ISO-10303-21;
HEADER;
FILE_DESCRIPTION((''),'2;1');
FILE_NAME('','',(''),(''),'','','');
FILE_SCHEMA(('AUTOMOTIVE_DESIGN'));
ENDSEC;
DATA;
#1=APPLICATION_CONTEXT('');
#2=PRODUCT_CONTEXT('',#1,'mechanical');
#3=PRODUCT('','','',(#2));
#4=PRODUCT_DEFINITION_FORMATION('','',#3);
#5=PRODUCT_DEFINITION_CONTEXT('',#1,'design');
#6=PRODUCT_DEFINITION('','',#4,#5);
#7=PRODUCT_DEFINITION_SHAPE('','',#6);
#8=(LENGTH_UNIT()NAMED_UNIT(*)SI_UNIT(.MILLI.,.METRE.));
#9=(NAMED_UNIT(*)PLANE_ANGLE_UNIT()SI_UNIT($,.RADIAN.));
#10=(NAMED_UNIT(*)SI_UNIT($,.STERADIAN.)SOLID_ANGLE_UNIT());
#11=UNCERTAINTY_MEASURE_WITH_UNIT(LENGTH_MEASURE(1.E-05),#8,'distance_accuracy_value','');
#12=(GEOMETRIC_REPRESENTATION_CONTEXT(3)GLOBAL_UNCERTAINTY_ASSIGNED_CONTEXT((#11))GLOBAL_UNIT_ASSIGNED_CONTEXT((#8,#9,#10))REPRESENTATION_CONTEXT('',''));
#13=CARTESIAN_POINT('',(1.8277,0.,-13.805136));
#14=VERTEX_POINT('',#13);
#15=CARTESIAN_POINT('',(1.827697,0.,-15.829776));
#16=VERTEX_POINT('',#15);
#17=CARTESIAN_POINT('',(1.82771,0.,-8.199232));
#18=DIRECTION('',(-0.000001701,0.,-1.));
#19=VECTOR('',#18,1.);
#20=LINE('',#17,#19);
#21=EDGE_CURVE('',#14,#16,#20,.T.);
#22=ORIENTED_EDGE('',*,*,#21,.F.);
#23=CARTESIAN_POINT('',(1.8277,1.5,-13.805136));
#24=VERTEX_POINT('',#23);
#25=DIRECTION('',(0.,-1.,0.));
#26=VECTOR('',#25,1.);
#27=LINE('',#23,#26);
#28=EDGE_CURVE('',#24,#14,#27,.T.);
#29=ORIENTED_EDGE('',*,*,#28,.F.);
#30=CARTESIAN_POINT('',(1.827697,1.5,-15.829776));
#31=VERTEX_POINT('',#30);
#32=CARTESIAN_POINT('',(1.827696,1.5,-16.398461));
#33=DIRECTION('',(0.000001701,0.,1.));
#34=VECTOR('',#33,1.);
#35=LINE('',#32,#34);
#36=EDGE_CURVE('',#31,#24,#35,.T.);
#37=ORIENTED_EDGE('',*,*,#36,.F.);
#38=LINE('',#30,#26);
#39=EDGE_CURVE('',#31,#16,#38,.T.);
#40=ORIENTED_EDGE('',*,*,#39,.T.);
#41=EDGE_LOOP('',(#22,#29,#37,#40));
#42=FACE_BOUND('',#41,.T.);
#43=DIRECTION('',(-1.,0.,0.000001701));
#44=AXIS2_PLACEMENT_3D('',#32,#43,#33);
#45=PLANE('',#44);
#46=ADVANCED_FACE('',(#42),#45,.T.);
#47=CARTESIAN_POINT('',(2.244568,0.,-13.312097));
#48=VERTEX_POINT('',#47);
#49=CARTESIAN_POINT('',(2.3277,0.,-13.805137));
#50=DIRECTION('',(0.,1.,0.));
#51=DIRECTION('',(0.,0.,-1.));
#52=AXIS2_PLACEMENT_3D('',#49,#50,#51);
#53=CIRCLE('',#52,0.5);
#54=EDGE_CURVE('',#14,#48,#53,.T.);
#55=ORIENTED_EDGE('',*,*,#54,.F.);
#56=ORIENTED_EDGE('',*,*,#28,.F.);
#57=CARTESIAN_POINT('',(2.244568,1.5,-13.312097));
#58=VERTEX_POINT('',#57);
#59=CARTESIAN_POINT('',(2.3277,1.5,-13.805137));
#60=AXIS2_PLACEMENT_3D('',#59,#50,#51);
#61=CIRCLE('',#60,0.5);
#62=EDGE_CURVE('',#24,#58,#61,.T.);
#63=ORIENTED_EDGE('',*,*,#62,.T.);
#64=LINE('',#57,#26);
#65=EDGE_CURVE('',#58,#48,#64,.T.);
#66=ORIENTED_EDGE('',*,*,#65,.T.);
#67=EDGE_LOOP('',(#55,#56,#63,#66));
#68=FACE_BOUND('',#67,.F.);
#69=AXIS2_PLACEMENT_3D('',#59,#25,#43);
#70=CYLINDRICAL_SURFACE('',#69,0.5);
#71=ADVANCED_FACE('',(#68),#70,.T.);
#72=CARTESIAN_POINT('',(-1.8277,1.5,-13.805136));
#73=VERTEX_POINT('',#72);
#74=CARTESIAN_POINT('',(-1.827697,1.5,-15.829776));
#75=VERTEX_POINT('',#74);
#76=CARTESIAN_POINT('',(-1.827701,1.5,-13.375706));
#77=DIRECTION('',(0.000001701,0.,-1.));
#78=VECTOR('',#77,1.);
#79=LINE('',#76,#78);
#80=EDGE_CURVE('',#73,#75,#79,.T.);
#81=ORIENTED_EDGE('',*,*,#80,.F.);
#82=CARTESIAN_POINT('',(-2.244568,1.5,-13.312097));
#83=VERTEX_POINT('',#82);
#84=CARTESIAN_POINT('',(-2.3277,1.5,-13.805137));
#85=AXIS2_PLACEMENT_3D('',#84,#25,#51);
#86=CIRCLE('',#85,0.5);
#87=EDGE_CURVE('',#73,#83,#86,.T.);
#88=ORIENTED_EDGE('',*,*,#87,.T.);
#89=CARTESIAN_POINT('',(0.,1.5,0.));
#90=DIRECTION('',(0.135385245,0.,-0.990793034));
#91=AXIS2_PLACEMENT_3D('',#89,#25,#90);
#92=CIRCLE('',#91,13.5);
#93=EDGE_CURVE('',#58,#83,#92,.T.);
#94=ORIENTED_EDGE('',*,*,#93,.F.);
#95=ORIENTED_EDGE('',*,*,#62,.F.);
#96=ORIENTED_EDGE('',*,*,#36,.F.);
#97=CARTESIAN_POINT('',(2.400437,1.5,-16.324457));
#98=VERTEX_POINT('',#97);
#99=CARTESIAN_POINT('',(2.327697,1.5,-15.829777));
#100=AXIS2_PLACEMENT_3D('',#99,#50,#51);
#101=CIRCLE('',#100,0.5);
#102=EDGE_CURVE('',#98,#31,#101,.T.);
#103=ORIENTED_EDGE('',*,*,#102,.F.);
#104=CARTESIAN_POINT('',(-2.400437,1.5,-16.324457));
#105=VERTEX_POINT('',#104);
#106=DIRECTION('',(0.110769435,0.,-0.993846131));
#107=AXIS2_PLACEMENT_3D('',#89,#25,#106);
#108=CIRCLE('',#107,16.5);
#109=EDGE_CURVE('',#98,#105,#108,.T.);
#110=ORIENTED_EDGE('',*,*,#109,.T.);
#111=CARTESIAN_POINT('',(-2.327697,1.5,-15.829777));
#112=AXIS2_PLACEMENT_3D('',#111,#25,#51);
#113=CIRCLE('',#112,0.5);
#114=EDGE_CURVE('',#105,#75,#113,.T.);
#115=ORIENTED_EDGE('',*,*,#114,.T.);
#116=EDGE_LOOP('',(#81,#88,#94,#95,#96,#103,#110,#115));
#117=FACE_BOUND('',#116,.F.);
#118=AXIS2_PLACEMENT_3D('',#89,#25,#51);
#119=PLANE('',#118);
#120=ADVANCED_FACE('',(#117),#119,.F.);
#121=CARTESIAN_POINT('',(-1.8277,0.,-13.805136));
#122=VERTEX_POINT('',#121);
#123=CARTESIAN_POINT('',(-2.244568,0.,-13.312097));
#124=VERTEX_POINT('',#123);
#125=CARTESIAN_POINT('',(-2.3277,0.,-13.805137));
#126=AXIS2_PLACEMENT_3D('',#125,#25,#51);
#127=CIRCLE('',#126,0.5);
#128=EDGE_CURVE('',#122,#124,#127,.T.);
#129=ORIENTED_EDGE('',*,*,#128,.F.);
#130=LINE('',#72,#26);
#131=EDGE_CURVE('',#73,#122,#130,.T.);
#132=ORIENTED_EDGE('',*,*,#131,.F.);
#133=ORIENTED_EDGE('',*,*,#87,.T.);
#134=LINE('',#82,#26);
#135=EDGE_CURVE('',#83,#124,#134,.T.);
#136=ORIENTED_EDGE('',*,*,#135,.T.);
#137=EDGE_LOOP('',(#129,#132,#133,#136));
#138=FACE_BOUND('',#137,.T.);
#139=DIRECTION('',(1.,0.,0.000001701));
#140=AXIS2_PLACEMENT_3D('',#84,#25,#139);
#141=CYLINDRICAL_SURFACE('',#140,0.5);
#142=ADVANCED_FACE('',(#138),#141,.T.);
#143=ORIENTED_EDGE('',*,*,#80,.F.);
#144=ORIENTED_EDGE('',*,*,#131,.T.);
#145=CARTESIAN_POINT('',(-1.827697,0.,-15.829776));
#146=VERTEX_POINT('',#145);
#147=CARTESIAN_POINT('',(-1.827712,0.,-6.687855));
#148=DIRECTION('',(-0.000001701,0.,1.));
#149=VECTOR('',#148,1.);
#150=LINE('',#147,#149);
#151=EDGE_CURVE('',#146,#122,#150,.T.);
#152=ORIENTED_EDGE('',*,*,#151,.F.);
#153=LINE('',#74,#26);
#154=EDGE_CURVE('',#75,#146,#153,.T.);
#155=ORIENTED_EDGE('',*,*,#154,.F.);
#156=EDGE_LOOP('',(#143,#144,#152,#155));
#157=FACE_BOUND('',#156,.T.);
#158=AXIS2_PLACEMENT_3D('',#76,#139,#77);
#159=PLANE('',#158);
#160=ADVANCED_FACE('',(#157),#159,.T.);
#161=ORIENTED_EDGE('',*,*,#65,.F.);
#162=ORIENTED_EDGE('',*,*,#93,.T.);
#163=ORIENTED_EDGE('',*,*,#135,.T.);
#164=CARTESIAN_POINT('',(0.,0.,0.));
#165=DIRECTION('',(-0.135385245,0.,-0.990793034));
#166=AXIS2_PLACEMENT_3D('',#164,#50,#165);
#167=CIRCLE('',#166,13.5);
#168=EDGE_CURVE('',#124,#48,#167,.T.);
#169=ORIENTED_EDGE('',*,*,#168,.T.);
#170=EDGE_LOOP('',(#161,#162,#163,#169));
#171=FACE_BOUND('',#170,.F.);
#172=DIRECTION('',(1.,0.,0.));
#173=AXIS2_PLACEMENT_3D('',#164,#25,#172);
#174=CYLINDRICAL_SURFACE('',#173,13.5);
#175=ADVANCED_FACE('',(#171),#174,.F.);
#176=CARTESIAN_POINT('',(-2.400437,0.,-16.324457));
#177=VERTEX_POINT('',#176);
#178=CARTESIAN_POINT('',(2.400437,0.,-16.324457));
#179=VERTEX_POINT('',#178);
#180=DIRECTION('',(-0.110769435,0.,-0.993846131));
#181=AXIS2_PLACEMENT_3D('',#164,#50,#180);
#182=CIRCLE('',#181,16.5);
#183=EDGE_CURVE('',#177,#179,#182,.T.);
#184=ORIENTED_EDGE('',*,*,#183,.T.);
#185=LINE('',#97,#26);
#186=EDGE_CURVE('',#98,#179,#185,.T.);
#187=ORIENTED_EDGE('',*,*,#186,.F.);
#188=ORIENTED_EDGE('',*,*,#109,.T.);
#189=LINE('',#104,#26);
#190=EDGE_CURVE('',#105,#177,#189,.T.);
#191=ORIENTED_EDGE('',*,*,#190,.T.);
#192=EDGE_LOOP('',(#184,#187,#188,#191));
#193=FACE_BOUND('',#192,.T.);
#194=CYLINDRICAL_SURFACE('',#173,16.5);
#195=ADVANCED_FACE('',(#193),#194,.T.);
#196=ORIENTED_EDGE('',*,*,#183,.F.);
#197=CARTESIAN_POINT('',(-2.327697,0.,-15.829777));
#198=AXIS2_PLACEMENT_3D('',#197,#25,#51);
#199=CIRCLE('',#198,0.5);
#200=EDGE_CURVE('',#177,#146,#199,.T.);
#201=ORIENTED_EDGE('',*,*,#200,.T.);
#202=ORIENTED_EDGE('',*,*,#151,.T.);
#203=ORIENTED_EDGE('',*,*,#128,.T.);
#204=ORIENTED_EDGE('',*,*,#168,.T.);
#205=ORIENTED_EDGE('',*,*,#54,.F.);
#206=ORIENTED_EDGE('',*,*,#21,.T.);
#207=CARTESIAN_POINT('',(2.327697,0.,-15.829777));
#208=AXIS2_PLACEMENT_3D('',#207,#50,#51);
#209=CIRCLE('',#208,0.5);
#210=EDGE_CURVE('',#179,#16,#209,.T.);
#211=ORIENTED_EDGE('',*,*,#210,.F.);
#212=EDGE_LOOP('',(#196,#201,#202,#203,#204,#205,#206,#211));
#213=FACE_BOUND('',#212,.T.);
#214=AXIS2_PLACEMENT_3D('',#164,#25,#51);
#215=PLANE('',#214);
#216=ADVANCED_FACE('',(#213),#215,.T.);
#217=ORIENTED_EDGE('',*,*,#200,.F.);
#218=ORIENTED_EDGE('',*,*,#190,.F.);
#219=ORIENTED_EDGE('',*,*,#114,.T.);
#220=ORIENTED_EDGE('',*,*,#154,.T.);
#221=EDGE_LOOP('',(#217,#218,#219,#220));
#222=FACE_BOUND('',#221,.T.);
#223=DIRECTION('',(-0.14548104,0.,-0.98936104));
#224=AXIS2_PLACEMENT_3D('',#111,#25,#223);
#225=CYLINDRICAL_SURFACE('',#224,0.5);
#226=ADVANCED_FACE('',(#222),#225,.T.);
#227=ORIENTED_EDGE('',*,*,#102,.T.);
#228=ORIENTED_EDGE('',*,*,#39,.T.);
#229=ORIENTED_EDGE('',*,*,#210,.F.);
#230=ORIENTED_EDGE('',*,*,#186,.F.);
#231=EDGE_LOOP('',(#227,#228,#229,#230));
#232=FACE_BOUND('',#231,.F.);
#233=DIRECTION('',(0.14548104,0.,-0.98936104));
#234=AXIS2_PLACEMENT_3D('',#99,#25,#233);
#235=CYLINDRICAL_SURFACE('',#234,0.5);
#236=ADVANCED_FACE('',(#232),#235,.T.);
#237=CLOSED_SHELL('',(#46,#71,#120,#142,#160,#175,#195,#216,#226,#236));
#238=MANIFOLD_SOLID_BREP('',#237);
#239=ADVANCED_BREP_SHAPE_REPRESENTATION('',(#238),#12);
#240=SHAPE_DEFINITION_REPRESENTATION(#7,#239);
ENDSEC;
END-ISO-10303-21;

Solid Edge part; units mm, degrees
sketch "Sketch1" plane through (0, 0, 0) normal (0, -1, 0) x (1, 0, 0)
  circle A0 centre (0, 0) radius 16.5
  circle A1 centre (0, 0) radius 13.5
  dimension "D1" = 27
  dimension "D2" = 33
extrude "Protrusion1" add sketch "Sketch1" against normal blind 1.5
sketch "Sketch2" plane through (0, 1.5, 0) normal (0, 1, 0) x (1, 0, 0)
  line L0 (-1.8277, 13.3757) -> (-1.8277, 16.3985)
  arc A0 (1.8277, 16.3985) -> (-1.8277, 16.3985) centre (0, 0) ccw
  line L1 (1.8277, 16.3985) -> (1.8277, 13.3757)
  arc A1 (1.8277, 13.3757) -> (-1.8277, 13.3757) centre (0, 0) ccw
extrude "ExtrudedCutout_1" cut sketch "Sketch2" against normal blind 12.4809
fillet "Round_1" radius 0.5 4 edges at (-1.8277, 0.75, -13.3757) (-1.8277, 0.75, -16.3985) (1.8277, 0.75, -16.3985) (1.8277, 0.75, -13.3757)
